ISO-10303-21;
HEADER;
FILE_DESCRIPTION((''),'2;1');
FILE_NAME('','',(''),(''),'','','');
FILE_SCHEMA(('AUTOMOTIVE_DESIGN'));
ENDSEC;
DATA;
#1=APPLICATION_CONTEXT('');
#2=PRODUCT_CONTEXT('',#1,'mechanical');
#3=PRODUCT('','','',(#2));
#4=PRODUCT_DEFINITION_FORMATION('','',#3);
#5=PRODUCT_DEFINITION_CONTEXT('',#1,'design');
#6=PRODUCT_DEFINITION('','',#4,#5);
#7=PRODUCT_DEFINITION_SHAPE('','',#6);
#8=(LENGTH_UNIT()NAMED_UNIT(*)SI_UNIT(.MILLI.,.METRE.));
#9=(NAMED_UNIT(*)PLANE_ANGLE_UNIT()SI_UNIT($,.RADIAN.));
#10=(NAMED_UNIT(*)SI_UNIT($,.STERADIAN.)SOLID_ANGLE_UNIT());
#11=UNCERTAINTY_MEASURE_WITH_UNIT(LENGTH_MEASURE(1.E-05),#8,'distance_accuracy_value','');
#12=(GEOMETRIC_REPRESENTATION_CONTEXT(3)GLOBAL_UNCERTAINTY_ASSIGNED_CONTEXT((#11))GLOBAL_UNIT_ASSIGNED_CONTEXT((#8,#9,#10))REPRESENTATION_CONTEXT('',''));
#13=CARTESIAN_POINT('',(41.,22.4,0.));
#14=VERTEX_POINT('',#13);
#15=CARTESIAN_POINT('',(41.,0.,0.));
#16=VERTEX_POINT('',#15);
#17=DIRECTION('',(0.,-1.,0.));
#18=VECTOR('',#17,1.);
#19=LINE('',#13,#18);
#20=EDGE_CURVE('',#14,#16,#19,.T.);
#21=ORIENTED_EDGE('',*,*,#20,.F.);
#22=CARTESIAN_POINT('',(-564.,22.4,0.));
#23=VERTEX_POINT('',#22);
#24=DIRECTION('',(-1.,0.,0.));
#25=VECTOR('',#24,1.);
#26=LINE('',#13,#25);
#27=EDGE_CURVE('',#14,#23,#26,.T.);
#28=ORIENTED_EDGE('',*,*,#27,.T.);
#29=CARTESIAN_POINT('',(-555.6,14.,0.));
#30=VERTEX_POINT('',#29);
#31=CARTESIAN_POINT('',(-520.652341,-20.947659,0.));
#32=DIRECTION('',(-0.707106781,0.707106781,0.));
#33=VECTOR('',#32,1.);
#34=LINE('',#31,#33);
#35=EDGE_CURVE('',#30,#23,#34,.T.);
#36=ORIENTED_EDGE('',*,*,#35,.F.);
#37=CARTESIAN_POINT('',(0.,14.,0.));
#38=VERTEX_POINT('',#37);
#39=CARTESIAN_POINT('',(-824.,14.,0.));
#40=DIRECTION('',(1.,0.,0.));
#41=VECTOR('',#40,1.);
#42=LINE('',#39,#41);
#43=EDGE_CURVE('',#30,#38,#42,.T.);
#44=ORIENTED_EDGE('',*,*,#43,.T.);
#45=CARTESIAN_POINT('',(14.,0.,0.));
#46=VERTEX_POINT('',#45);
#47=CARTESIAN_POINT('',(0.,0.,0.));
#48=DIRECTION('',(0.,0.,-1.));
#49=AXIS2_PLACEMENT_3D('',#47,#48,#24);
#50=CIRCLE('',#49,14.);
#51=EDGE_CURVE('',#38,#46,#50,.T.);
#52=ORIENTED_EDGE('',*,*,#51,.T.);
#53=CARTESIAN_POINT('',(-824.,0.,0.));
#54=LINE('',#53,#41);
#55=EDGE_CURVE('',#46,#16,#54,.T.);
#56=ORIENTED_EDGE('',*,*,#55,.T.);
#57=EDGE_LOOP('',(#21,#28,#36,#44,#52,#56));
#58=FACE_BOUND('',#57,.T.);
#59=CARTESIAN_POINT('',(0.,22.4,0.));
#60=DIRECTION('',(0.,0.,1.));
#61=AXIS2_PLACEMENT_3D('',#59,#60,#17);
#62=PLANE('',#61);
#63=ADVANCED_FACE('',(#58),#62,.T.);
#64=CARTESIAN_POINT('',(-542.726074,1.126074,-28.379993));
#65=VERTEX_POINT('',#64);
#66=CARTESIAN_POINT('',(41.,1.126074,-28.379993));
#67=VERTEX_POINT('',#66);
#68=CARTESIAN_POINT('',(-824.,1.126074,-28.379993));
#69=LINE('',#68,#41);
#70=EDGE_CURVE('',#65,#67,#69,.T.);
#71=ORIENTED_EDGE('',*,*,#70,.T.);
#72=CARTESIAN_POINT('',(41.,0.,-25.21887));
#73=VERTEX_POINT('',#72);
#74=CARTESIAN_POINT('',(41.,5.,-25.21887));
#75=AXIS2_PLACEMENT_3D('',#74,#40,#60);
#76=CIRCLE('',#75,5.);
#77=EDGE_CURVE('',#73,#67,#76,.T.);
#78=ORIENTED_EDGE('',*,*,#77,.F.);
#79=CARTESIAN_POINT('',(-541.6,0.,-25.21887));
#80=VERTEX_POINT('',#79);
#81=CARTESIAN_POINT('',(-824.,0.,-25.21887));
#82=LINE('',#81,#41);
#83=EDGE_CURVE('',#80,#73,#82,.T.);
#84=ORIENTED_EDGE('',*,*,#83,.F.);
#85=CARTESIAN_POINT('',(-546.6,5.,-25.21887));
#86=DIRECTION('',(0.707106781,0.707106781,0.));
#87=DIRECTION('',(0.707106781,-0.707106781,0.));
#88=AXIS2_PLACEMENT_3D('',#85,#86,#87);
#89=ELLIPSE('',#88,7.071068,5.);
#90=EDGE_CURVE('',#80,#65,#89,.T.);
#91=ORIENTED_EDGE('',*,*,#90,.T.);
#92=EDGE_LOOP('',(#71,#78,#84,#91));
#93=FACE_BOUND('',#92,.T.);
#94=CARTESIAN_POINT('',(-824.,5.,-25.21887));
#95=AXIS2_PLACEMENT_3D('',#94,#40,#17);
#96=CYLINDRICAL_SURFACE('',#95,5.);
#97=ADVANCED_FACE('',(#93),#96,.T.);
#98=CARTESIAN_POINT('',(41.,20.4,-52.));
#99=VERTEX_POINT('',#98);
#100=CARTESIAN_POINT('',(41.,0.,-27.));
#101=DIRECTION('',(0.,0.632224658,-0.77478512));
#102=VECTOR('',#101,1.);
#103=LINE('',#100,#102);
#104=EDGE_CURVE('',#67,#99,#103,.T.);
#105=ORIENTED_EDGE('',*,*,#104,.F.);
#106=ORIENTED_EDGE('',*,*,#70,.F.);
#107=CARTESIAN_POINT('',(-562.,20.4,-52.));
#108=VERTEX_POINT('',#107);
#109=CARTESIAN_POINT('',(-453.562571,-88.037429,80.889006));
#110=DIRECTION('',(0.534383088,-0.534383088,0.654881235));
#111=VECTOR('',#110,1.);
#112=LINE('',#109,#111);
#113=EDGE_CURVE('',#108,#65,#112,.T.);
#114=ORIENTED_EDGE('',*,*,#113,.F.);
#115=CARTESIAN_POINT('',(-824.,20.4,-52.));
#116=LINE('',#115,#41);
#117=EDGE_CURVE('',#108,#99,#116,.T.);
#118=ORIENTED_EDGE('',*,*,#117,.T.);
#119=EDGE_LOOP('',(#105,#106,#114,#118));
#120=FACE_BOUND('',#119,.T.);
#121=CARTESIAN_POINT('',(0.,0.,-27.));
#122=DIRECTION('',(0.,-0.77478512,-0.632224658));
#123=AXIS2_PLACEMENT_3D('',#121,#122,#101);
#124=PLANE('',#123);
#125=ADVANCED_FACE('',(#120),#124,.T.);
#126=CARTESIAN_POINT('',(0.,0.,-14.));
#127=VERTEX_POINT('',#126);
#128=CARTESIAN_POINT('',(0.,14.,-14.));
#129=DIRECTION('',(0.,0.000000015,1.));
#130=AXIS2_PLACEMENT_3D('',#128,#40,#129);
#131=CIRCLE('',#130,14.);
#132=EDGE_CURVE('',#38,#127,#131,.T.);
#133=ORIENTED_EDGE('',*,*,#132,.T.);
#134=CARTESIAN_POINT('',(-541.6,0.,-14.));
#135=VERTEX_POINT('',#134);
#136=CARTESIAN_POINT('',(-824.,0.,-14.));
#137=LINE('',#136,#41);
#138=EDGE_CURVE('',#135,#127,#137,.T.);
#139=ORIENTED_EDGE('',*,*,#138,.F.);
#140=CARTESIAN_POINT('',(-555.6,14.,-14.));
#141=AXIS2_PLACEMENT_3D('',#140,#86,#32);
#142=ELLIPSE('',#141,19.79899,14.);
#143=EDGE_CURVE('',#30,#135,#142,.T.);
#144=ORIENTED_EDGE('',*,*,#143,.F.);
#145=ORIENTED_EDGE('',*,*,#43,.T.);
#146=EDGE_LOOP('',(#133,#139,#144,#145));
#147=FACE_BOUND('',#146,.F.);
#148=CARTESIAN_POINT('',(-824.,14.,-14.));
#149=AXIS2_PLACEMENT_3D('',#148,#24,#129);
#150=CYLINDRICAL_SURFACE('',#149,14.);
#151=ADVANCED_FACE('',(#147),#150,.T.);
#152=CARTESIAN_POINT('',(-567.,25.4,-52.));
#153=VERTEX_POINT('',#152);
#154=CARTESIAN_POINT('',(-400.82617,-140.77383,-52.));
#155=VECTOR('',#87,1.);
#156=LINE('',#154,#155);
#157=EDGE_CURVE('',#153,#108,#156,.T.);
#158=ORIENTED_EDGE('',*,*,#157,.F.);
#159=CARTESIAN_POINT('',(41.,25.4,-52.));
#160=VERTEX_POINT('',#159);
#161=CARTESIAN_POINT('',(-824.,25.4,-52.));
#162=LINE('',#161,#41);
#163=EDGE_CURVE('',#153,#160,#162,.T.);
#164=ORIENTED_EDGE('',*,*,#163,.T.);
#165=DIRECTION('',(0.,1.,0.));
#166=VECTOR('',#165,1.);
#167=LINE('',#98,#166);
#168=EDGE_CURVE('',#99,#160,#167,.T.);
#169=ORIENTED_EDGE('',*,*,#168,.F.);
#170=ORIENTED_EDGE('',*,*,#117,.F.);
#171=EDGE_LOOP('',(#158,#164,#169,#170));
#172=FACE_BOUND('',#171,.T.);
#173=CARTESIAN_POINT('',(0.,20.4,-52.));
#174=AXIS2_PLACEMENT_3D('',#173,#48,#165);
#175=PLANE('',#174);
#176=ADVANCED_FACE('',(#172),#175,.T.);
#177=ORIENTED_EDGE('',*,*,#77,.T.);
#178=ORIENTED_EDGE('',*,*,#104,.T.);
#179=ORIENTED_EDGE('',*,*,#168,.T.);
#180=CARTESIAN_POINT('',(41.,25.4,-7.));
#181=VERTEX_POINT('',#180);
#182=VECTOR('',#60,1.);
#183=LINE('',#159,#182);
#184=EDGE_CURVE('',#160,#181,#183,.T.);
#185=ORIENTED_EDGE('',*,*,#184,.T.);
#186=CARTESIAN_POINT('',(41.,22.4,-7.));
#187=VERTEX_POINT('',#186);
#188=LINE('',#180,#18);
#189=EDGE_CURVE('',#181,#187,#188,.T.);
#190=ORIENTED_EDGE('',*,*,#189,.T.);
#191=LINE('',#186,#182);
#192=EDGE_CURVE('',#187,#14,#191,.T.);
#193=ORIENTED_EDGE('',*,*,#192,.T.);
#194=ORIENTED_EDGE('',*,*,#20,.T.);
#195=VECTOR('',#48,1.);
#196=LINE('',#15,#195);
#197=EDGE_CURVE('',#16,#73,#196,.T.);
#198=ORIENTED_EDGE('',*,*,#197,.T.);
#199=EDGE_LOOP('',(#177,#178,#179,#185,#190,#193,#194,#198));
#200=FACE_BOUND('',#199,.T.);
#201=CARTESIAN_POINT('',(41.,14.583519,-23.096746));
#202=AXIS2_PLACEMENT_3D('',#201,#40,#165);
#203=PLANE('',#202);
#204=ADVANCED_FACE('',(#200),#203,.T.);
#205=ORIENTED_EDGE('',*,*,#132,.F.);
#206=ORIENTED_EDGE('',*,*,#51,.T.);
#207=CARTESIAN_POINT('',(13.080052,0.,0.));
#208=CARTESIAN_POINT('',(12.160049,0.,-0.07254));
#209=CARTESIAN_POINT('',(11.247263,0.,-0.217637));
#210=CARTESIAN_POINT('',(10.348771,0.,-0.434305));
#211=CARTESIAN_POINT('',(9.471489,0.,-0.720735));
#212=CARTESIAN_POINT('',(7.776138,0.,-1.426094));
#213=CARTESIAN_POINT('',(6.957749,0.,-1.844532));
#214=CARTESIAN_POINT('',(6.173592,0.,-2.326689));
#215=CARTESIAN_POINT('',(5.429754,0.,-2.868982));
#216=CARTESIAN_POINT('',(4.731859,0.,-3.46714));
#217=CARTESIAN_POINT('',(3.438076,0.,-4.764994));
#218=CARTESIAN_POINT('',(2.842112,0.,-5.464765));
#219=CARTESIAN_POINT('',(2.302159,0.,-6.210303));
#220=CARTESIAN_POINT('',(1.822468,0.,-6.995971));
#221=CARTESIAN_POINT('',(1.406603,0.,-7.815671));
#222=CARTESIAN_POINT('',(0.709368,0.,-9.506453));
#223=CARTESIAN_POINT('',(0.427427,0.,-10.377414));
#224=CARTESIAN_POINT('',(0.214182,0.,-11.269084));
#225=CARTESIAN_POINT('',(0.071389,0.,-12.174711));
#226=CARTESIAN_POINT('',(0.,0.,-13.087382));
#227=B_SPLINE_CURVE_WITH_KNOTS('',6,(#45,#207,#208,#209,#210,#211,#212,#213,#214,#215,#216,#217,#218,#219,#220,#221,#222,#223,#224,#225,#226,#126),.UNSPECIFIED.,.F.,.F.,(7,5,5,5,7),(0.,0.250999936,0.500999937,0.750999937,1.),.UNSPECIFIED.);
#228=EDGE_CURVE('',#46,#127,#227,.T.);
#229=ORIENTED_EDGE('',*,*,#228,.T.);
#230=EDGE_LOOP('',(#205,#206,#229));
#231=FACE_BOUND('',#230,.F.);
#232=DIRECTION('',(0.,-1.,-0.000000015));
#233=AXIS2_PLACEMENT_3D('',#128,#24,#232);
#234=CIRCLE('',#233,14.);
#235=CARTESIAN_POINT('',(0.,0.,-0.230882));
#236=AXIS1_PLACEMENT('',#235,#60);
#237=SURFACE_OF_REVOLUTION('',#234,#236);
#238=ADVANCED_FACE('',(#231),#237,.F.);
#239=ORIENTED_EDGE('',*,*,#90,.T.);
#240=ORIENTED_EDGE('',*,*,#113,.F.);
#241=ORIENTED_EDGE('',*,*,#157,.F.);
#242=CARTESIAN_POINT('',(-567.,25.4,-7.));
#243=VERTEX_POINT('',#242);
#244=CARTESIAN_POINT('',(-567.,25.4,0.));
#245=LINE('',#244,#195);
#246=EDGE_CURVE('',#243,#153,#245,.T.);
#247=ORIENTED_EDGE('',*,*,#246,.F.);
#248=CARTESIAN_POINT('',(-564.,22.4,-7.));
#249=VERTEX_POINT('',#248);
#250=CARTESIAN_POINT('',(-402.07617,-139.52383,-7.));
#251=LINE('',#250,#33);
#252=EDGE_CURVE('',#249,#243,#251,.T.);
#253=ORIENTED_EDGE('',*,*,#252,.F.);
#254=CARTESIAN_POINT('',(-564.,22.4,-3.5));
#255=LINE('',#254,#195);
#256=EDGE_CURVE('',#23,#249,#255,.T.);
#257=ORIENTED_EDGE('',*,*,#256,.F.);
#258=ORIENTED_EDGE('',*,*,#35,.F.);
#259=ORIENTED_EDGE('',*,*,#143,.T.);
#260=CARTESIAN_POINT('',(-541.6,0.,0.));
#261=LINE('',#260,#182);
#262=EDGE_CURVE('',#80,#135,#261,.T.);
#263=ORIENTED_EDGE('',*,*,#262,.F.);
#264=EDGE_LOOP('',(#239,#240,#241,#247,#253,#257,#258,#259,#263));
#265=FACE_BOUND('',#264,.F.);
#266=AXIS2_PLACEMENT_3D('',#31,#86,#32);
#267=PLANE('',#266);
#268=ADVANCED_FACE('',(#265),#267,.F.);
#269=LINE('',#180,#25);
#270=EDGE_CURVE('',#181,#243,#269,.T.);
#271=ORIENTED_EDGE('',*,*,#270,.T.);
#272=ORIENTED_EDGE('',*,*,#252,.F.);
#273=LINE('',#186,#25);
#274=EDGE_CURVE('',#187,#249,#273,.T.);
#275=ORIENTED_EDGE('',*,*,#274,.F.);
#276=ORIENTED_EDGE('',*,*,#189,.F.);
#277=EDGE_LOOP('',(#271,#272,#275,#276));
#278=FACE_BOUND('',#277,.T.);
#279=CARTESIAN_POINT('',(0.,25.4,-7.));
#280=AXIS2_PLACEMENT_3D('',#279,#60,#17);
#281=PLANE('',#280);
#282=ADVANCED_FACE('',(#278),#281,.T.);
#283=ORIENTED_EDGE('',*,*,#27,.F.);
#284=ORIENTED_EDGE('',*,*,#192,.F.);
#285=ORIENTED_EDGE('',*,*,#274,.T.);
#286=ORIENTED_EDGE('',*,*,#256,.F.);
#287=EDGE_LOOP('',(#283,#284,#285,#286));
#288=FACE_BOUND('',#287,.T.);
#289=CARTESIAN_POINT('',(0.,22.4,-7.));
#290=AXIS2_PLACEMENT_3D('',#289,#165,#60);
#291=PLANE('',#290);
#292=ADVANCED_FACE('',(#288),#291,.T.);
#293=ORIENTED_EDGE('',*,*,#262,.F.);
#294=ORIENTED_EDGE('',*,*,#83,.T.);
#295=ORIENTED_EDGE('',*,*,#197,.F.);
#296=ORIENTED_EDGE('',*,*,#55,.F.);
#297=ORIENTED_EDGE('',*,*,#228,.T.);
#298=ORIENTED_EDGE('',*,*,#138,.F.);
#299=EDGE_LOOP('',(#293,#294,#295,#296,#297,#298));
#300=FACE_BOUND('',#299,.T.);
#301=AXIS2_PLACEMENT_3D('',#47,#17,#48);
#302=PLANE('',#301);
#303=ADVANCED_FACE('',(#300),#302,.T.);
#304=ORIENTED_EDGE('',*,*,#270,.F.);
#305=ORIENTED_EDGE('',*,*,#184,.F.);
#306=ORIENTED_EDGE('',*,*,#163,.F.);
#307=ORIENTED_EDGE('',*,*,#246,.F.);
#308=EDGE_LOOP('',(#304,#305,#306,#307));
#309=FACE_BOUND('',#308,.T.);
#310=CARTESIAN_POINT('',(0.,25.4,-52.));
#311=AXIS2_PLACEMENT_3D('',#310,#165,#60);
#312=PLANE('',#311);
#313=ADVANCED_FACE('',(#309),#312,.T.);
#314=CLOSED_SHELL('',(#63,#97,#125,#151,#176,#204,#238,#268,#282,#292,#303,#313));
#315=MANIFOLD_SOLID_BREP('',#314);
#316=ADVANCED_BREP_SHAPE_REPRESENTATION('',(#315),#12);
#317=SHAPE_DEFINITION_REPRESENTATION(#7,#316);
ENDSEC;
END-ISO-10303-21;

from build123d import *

# Parameters (mm, degrees)
F1_DEPTH      = 41
F1_DEPTH_BACK = 824
F5_DEPTH      = 824
F6_R          = 5
F8_DEPTH      = 52.001


with BuildPart() as f1:
    # F0 (on Right) → F1 (new body, two sides)
    with BuildSketch(Plane.YZ) as f1_sk:
        Polygon((22.4, 0), (0, 0), (0, -27), (20.4, -52), (25.4, -52), (25.4, -7), (22.4, -7), align=None)
    extrude(amount=F1_DEPTH)
    extrude(f1_sk.sketch, amount=-F1_DEPTH_BACK)

    # F2 (on Right) → F3 (revolve, cut)
    with BuildSketch(Plane.YZ):
        with BuildLine():
            ThreePointArc((0, -14), (4.100505, -4.100505), (14, 0))
            Line((14, 0), (14, 13.538237))
            Line((14, 13.538237), (0, 13.538237))
            Line((0, 13.538237), (0, -14))
        make_face()
    revolve(axis=Axis((0, 0, -0.230882), (0, 0, 1)), mode=Mode.SUBTRACT)

    # F4 (on face) → F5 (cut, through all)
    with BuildSketch(Plane(origin=(-824, 0, 0), x_dir=(0, -1, 0), z_dir=(-1, 0, 0))):
        with BuildLine():
            Line((-14, 13.538237), (-14, 0))
            ThreePointArc((-14, 0), (-4.100505, -4.100505), (0, -14))
            Line((0, -14), (0, 13.538237))
            Line((0, 13.538237), (-14, 13.538237))
        make_face()
    extrude(amount=-F5_DEPTH, mode=Mode.SUBTRACT)

    # F6
    f6_edges = [f1.edges().sort_by_distance(p)[0] for p in [
        (-391.5, 0, -27),
    ]]
    fillet(f6_edges, radius=F6_R)

    # F7 (on face) → F8 (cut, through all)
    with BuildSketch(Plane.XY):
        Polygon((-520.652341, -20.947659), (-567, 25.4), (-818.416774, 72.289795), (-858.546881, 112.419901), (-858.546881, -20.947659), align=None)
    extrude(amount=-F8_DEPTH, mode=Mode.SUBTRACT)


solid = f1.part
